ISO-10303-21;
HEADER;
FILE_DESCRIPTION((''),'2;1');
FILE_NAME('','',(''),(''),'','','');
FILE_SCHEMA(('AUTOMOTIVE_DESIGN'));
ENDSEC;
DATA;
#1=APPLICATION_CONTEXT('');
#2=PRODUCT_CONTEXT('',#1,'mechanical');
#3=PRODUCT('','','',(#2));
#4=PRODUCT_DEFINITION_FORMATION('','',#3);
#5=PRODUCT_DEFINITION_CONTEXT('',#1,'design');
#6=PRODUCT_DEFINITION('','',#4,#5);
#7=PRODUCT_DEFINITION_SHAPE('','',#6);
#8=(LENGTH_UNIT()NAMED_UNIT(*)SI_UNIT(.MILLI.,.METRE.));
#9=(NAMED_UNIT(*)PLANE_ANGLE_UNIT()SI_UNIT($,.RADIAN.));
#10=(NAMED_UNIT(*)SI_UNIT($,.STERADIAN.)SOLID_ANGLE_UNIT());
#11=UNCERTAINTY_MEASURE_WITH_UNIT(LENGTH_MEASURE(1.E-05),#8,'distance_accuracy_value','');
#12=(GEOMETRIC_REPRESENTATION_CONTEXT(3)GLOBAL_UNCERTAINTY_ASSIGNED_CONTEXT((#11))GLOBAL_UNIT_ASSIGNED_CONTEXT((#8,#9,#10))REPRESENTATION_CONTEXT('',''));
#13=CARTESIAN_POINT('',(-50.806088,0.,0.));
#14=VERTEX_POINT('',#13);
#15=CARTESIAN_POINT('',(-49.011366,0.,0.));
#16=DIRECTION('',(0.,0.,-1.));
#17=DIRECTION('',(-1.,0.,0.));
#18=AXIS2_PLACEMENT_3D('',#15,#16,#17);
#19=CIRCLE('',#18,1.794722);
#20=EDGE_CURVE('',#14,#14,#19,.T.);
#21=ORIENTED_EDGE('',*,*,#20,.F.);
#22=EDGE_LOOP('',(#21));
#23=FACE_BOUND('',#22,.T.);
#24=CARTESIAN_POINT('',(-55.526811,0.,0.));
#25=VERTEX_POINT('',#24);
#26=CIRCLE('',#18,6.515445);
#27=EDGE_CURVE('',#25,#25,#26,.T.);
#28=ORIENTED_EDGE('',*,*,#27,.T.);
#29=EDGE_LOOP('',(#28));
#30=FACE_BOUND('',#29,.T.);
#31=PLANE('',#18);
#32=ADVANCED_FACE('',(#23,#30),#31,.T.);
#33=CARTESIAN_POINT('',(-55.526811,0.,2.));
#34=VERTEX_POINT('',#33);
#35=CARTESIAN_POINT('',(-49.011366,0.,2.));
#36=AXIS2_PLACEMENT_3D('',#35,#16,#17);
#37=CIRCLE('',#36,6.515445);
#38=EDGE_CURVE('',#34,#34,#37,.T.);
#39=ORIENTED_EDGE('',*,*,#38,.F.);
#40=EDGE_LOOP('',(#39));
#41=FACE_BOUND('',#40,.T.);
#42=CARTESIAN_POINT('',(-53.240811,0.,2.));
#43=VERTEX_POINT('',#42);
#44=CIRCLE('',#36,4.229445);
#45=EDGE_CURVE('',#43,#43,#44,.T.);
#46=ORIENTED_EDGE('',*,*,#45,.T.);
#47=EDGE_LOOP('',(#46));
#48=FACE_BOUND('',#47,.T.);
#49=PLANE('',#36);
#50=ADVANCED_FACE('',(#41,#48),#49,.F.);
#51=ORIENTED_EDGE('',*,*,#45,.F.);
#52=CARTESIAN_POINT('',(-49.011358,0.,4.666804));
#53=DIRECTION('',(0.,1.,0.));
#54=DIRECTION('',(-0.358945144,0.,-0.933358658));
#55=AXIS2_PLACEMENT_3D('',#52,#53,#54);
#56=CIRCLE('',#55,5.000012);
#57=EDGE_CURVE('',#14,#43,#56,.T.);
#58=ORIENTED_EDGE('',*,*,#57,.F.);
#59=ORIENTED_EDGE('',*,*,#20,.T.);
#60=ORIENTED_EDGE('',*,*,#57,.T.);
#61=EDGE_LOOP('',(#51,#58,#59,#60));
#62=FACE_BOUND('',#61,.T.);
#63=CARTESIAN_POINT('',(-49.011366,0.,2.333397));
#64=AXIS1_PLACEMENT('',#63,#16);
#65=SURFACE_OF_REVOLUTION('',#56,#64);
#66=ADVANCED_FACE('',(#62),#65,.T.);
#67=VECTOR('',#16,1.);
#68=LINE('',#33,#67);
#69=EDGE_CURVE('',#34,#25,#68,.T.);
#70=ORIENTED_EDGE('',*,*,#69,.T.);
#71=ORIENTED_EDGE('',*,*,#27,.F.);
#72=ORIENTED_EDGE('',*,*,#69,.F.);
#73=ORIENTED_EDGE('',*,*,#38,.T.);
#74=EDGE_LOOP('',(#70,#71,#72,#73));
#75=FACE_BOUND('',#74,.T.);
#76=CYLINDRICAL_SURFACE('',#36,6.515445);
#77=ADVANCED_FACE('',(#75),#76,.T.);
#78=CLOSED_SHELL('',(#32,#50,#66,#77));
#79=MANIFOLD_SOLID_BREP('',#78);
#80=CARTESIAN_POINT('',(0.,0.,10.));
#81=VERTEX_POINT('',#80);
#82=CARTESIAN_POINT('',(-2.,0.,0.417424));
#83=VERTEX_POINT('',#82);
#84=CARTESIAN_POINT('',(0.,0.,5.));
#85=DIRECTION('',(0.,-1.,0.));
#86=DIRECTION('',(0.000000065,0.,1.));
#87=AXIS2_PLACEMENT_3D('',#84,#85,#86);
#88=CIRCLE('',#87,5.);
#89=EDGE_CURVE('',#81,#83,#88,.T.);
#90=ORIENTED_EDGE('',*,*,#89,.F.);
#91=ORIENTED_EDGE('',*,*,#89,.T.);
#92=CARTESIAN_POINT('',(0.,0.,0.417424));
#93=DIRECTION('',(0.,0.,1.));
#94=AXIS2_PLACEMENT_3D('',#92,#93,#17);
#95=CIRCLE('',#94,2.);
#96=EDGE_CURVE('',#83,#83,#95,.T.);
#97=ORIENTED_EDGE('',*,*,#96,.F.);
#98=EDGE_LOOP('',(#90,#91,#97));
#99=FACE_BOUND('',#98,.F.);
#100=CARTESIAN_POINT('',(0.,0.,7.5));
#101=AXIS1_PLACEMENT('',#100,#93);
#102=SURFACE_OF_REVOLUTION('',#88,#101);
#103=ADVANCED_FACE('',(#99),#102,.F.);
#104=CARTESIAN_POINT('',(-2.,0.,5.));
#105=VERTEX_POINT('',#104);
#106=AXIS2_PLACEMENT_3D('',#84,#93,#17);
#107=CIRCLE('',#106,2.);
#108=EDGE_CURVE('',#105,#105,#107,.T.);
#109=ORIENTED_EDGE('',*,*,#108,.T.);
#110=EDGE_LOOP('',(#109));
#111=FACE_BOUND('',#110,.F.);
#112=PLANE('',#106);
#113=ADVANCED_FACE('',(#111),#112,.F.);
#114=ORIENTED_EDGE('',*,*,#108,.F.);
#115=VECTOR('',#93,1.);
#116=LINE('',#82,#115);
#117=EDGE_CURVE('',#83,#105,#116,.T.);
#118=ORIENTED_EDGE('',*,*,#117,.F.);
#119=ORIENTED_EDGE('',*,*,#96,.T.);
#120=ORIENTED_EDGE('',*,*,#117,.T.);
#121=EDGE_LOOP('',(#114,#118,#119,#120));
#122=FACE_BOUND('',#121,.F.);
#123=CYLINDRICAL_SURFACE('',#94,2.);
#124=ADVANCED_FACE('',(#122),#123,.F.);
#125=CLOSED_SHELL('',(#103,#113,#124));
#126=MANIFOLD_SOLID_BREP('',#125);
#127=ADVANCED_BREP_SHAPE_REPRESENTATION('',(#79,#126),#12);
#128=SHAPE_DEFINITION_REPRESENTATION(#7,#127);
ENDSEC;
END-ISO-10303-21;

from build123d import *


with BuildPart() as f1:
    # F0 (on Front) → F1 (revolve)
    with BuildSketch(Plane.XZ):
        with BuildLine():
            ThreePointArc((0, 10), (-4.894532, 6.021548), (-2, 0.417424))
            Line((-2, 0.417424), (-2, 5))
            Line((-2, 5), (0, 5))
            Line((0, 5), (0, 10))
        make_face()
    revolve(axis=Axis((0, 0, 7.5), (0, 0, 1)))


with BuildPart() as f3:
    # F2 (on Front) → F3 (revolve)
    with BuildSketch(Plane.XZ):
        with BuildLine():
            Line((-55.526811, 0), (-50.806088, 0))
            ThreePointArc((-50.806088, 0), (-52.185109, 0.803202), (-53.240811, 2))
            Line((-53.240811, 2), (-55.526811, 2))
            Line((-55.526811, 2), (-55.526811, 0))
        make_face()
    revolve(axis=Axis((-49.011366, 0, 2.333397), (0, 0, -1)))


solid = Compound([f1.part, f3.part])
